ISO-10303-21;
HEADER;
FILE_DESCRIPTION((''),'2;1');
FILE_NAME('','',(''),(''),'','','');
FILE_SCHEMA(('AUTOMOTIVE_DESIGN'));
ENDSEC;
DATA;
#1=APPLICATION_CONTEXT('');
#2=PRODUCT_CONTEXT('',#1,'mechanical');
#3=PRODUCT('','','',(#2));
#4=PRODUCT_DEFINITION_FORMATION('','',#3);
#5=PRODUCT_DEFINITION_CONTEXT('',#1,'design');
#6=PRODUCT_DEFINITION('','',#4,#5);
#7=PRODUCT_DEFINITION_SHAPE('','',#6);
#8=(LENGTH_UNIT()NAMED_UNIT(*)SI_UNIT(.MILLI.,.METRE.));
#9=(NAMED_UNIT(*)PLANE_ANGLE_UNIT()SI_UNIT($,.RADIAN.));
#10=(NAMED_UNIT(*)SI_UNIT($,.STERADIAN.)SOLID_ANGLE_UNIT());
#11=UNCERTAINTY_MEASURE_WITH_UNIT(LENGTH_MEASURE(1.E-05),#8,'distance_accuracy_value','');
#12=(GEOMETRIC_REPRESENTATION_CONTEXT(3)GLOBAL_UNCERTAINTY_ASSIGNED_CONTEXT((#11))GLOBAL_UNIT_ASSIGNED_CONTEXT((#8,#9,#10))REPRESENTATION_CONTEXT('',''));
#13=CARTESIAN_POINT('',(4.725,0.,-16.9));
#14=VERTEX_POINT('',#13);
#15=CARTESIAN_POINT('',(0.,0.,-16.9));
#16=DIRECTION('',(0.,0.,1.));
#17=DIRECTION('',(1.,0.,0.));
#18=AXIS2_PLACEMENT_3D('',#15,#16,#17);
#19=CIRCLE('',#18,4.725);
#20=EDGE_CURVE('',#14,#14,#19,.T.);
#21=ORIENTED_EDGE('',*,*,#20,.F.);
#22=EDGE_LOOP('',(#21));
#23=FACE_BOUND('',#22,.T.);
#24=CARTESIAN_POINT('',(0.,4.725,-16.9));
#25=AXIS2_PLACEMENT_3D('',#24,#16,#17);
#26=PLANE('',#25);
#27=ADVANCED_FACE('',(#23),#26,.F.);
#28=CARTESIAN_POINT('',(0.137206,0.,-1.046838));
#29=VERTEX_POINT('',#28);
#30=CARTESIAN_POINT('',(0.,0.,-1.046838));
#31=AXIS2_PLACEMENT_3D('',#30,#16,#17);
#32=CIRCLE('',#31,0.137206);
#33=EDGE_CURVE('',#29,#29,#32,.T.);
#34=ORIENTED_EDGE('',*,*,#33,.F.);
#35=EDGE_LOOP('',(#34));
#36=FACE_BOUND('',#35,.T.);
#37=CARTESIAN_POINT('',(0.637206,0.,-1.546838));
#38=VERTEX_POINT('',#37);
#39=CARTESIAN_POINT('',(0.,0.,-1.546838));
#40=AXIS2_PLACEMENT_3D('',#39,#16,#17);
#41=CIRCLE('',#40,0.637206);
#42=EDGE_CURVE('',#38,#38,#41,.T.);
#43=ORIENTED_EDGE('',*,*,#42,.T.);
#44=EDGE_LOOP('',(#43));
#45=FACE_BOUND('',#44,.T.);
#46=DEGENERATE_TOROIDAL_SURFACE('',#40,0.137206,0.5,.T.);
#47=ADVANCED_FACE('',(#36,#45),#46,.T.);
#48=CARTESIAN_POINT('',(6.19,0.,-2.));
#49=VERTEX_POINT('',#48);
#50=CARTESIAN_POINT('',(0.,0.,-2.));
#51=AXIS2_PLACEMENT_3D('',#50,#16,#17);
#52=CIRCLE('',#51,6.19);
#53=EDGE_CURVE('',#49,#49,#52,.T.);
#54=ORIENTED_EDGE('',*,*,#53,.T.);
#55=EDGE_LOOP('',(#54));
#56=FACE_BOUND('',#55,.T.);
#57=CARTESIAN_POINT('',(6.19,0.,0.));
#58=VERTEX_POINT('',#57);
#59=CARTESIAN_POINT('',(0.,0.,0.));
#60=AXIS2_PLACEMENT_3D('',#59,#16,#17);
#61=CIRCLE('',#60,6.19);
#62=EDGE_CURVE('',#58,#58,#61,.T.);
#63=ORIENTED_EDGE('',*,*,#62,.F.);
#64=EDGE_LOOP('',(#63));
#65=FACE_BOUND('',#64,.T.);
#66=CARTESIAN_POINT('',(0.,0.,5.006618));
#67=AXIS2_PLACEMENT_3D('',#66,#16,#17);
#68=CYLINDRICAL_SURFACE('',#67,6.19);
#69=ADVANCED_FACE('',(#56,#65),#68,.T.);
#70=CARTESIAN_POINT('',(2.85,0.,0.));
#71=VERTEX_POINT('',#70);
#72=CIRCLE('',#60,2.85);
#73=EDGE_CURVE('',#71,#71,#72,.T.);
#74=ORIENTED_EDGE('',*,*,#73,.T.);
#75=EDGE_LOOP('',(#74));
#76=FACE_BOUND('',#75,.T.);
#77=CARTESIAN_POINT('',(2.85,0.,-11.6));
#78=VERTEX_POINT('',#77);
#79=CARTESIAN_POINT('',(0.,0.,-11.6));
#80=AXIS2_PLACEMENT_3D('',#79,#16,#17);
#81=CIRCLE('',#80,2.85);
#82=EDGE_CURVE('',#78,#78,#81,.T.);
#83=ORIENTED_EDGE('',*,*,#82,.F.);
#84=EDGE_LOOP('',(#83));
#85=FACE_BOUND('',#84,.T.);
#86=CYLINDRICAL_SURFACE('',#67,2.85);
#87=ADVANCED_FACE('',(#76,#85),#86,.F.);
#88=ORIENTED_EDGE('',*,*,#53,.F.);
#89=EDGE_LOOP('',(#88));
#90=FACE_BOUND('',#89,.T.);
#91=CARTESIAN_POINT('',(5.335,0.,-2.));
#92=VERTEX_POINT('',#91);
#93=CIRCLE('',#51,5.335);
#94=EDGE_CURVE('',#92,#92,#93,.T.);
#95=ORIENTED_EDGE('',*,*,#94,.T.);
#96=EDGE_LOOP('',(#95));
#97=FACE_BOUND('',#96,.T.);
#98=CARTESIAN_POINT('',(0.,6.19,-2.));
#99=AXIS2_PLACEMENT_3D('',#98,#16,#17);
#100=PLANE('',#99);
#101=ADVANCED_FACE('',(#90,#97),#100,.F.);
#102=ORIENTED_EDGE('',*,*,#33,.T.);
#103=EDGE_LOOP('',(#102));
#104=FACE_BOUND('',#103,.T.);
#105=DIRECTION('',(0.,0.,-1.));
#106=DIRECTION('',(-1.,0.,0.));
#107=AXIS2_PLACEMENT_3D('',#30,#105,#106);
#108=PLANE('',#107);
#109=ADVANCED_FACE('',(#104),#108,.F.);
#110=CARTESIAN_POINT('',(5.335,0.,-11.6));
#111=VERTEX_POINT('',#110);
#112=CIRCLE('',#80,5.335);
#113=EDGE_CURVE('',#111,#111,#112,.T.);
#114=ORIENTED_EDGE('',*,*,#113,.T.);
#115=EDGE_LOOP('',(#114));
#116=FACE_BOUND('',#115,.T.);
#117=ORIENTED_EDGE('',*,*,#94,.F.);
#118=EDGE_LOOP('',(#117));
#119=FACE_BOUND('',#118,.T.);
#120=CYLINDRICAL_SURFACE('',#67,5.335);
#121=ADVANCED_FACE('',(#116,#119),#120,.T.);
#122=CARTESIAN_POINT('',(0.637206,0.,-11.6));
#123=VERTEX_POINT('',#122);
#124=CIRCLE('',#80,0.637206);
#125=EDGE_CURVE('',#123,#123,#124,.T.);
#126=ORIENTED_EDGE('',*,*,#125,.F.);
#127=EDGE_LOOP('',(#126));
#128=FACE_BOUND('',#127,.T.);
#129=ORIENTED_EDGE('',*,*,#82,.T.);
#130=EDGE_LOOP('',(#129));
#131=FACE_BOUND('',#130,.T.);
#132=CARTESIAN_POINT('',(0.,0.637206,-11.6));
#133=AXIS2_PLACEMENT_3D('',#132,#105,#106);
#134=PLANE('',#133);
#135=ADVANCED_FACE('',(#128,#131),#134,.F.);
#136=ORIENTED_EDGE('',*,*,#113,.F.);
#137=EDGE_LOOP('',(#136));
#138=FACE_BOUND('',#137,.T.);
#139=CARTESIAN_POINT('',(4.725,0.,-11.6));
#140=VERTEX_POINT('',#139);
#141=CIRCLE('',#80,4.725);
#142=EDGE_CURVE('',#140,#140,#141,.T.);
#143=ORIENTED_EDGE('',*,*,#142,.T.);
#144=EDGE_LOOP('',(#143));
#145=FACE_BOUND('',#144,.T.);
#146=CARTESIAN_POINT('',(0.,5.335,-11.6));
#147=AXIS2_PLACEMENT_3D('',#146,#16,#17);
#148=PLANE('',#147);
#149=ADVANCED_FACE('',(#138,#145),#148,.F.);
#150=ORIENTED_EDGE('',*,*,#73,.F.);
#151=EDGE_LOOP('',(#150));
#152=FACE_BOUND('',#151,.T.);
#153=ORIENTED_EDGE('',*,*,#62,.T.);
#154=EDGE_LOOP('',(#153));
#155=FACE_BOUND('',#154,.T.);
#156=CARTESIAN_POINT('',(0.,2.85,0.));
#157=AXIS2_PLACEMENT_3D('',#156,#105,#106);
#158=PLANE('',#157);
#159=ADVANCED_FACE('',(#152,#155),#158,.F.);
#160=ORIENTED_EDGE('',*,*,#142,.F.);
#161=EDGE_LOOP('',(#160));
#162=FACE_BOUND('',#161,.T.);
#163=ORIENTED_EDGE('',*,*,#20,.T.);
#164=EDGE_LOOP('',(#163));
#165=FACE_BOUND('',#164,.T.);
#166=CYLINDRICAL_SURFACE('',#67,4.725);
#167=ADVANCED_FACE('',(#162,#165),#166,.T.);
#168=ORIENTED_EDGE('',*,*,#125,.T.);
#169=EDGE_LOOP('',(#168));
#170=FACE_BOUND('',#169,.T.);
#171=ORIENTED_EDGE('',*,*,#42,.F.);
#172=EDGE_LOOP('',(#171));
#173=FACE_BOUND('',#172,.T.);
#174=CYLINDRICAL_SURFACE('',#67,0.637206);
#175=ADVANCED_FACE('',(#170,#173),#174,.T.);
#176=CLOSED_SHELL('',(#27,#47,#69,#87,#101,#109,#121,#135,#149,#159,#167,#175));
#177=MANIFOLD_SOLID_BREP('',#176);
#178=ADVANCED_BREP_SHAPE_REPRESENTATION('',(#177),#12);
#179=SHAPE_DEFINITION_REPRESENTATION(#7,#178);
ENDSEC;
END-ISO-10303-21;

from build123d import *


with BuildPart() as part:
    # Sketch1 → Revolve1 (revolve)
    with BuildSketch(Plane(origin=(0, 0, 0), x_dir=(0, 0, -1), z_dir=(1, 0, 0))):
        with BuildLine():
            Line((0, 2.85), (0, 6.19))
            Line((0, 6.19), (2, 6.19))
            Line((2, 6.19), (2, 5.335))
            Line((2, 5.335), (11.6, 5.335))
            Line((11.6, 5.335), (11.6, 4.725))
            Line((11.6, 4.725), (16.9, 4.725))
            Line((16.9, 4.725), (16.9, 0))
            Line((16.9, 0), (1.046838235, 0))
            Line((1.046838235, 0), (1.046838235, 0.137205882))
            ThreePointArc((1.046838235, 0.137205882), (1.193284845, 0.490759273), (1.546838235, 0.637205882))
            Line((1.546838235, 0.637205882), (11.6, 0.637205882))
            Line((11.6, 0.637205882), (11.6, 2.85))
            Line((11.6, 2.85), (0, 2.85))
        make_face()
    revolve(axis=Axis((0, 0, 5.006617647), (0, 0, -1)))


solid = part.part
